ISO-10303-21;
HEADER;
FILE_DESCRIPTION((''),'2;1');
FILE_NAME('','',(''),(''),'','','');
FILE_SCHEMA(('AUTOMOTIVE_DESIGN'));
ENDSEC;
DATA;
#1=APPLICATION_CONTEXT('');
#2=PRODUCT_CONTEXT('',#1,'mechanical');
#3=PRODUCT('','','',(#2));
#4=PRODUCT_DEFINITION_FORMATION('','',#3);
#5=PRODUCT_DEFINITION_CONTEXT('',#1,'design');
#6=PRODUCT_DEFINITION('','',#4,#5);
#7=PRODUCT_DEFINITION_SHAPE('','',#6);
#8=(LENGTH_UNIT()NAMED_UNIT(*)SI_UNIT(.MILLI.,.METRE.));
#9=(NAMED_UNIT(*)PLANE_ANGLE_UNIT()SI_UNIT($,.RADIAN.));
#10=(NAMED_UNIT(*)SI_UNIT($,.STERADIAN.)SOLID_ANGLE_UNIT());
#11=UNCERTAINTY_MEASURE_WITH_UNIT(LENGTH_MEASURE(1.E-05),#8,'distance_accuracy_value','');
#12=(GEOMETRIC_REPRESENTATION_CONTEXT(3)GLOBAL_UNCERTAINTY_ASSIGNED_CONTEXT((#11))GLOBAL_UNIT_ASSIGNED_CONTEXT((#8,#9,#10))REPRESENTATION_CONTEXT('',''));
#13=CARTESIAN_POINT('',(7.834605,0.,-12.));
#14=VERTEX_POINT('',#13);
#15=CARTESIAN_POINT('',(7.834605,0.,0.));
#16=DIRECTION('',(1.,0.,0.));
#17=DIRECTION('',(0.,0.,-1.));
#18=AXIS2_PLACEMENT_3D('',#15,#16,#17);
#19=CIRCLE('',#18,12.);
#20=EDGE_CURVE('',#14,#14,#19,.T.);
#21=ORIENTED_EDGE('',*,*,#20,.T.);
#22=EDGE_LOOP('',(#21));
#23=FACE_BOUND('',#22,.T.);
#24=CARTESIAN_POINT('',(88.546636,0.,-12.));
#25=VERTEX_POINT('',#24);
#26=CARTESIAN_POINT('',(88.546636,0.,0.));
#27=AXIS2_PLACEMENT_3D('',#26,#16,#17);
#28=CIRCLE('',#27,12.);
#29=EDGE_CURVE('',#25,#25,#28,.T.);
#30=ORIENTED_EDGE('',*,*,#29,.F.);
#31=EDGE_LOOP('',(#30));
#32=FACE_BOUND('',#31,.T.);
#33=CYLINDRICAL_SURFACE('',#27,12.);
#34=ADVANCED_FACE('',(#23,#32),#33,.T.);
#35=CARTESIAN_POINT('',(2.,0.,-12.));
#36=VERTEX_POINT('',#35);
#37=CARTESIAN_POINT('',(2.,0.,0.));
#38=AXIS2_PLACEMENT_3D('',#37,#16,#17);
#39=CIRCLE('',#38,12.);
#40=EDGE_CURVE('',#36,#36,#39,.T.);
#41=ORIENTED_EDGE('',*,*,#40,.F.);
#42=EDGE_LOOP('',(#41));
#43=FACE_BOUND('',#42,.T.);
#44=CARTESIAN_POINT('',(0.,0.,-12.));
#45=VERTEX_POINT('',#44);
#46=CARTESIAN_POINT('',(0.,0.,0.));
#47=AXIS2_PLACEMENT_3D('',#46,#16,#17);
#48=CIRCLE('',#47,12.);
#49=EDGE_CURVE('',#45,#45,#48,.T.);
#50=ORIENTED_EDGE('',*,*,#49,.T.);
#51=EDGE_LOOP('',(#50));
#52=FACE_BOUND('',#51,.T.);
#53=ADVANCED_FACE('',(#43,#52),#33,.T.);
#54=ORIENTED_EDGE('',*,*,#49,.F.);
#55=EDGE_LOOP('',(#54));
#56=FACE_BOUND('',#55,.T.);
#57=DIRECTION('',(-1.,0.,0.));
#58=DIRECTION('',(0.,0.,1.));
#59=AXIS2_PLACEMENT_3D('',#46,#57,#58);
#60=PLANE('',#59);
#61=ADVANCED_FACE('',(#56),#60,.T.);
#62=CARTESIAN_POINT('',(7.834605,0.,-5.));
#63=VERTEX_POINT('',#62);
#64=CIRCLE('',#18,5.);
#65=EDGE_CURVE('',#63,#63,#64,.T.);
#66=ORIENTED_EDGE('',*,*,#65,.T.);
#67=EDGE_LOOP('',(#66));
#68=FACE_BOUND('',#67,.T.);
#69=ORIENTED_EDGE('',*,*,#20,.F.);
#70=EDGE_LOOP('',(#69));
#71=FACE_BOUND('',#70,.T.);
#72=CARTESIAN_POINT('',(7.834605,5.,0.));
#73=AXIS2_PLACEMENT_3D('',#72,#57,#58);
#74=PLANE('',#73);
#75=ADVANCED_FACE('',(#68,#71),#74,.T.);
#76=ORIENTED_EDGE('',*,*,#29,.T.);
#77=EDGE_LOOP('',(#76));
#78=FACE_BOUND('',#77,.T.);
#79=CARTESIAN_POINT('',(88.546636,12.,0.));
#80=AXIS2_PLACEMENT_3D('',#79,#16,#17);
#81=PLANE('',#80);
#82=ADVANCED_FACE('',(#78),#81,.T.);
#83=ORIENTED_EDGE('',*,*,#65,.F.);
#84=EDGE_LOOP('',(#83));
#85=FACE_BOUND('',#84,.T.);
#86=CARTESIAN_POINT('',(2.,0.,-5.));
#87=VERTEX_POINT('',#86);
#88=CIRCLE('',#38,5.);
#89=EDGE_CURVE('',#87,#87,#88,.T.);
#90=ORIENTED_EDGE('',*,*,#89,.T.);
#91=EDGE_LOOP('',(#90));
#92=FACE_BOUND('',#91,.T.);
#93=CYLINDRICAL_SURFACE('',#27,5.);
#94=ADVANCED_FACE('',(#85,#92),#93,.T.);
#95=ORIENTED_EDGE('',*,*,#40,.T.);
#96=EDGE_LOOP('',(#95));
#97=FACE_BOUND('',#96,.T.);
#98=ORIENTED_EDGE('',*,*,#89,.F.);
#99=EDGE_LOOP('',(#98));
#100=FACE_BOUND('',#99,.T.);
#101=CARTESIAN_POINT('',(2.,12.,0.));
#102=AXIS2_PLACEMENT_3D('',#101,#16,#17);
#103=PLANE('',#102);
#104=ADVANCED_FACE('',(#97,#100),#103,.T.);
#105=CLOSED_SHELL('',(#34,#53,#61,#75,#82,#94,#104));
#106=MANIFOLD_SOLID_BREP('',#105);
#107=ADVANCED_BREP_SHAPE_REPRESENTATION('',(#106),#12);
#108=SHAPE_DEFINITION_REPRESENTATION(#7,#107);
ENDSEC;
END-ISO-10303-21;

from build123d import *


with BuildPart() as part:
    # Sketch1 → Revolve1 (revolve)
    with BuildSketch(Plane.XY, mode=Mode.PRIVATE) as revolve1_sk:
        Polygon((0, 0), (0, 12), (2, 12), (2, 5), (7.8346047, 5), (7.8346047, 12), (88.546636387, 12), (88.546636387, 0), align=None)
    revolve(revolve1_sk.sketch.rotate(Axis((88.546636387, 0, 0), (-1, 0, 0)), 90), axis=Axis((88.546636387, 0, 0), (-1, 0, 0)))


solid = part.part
